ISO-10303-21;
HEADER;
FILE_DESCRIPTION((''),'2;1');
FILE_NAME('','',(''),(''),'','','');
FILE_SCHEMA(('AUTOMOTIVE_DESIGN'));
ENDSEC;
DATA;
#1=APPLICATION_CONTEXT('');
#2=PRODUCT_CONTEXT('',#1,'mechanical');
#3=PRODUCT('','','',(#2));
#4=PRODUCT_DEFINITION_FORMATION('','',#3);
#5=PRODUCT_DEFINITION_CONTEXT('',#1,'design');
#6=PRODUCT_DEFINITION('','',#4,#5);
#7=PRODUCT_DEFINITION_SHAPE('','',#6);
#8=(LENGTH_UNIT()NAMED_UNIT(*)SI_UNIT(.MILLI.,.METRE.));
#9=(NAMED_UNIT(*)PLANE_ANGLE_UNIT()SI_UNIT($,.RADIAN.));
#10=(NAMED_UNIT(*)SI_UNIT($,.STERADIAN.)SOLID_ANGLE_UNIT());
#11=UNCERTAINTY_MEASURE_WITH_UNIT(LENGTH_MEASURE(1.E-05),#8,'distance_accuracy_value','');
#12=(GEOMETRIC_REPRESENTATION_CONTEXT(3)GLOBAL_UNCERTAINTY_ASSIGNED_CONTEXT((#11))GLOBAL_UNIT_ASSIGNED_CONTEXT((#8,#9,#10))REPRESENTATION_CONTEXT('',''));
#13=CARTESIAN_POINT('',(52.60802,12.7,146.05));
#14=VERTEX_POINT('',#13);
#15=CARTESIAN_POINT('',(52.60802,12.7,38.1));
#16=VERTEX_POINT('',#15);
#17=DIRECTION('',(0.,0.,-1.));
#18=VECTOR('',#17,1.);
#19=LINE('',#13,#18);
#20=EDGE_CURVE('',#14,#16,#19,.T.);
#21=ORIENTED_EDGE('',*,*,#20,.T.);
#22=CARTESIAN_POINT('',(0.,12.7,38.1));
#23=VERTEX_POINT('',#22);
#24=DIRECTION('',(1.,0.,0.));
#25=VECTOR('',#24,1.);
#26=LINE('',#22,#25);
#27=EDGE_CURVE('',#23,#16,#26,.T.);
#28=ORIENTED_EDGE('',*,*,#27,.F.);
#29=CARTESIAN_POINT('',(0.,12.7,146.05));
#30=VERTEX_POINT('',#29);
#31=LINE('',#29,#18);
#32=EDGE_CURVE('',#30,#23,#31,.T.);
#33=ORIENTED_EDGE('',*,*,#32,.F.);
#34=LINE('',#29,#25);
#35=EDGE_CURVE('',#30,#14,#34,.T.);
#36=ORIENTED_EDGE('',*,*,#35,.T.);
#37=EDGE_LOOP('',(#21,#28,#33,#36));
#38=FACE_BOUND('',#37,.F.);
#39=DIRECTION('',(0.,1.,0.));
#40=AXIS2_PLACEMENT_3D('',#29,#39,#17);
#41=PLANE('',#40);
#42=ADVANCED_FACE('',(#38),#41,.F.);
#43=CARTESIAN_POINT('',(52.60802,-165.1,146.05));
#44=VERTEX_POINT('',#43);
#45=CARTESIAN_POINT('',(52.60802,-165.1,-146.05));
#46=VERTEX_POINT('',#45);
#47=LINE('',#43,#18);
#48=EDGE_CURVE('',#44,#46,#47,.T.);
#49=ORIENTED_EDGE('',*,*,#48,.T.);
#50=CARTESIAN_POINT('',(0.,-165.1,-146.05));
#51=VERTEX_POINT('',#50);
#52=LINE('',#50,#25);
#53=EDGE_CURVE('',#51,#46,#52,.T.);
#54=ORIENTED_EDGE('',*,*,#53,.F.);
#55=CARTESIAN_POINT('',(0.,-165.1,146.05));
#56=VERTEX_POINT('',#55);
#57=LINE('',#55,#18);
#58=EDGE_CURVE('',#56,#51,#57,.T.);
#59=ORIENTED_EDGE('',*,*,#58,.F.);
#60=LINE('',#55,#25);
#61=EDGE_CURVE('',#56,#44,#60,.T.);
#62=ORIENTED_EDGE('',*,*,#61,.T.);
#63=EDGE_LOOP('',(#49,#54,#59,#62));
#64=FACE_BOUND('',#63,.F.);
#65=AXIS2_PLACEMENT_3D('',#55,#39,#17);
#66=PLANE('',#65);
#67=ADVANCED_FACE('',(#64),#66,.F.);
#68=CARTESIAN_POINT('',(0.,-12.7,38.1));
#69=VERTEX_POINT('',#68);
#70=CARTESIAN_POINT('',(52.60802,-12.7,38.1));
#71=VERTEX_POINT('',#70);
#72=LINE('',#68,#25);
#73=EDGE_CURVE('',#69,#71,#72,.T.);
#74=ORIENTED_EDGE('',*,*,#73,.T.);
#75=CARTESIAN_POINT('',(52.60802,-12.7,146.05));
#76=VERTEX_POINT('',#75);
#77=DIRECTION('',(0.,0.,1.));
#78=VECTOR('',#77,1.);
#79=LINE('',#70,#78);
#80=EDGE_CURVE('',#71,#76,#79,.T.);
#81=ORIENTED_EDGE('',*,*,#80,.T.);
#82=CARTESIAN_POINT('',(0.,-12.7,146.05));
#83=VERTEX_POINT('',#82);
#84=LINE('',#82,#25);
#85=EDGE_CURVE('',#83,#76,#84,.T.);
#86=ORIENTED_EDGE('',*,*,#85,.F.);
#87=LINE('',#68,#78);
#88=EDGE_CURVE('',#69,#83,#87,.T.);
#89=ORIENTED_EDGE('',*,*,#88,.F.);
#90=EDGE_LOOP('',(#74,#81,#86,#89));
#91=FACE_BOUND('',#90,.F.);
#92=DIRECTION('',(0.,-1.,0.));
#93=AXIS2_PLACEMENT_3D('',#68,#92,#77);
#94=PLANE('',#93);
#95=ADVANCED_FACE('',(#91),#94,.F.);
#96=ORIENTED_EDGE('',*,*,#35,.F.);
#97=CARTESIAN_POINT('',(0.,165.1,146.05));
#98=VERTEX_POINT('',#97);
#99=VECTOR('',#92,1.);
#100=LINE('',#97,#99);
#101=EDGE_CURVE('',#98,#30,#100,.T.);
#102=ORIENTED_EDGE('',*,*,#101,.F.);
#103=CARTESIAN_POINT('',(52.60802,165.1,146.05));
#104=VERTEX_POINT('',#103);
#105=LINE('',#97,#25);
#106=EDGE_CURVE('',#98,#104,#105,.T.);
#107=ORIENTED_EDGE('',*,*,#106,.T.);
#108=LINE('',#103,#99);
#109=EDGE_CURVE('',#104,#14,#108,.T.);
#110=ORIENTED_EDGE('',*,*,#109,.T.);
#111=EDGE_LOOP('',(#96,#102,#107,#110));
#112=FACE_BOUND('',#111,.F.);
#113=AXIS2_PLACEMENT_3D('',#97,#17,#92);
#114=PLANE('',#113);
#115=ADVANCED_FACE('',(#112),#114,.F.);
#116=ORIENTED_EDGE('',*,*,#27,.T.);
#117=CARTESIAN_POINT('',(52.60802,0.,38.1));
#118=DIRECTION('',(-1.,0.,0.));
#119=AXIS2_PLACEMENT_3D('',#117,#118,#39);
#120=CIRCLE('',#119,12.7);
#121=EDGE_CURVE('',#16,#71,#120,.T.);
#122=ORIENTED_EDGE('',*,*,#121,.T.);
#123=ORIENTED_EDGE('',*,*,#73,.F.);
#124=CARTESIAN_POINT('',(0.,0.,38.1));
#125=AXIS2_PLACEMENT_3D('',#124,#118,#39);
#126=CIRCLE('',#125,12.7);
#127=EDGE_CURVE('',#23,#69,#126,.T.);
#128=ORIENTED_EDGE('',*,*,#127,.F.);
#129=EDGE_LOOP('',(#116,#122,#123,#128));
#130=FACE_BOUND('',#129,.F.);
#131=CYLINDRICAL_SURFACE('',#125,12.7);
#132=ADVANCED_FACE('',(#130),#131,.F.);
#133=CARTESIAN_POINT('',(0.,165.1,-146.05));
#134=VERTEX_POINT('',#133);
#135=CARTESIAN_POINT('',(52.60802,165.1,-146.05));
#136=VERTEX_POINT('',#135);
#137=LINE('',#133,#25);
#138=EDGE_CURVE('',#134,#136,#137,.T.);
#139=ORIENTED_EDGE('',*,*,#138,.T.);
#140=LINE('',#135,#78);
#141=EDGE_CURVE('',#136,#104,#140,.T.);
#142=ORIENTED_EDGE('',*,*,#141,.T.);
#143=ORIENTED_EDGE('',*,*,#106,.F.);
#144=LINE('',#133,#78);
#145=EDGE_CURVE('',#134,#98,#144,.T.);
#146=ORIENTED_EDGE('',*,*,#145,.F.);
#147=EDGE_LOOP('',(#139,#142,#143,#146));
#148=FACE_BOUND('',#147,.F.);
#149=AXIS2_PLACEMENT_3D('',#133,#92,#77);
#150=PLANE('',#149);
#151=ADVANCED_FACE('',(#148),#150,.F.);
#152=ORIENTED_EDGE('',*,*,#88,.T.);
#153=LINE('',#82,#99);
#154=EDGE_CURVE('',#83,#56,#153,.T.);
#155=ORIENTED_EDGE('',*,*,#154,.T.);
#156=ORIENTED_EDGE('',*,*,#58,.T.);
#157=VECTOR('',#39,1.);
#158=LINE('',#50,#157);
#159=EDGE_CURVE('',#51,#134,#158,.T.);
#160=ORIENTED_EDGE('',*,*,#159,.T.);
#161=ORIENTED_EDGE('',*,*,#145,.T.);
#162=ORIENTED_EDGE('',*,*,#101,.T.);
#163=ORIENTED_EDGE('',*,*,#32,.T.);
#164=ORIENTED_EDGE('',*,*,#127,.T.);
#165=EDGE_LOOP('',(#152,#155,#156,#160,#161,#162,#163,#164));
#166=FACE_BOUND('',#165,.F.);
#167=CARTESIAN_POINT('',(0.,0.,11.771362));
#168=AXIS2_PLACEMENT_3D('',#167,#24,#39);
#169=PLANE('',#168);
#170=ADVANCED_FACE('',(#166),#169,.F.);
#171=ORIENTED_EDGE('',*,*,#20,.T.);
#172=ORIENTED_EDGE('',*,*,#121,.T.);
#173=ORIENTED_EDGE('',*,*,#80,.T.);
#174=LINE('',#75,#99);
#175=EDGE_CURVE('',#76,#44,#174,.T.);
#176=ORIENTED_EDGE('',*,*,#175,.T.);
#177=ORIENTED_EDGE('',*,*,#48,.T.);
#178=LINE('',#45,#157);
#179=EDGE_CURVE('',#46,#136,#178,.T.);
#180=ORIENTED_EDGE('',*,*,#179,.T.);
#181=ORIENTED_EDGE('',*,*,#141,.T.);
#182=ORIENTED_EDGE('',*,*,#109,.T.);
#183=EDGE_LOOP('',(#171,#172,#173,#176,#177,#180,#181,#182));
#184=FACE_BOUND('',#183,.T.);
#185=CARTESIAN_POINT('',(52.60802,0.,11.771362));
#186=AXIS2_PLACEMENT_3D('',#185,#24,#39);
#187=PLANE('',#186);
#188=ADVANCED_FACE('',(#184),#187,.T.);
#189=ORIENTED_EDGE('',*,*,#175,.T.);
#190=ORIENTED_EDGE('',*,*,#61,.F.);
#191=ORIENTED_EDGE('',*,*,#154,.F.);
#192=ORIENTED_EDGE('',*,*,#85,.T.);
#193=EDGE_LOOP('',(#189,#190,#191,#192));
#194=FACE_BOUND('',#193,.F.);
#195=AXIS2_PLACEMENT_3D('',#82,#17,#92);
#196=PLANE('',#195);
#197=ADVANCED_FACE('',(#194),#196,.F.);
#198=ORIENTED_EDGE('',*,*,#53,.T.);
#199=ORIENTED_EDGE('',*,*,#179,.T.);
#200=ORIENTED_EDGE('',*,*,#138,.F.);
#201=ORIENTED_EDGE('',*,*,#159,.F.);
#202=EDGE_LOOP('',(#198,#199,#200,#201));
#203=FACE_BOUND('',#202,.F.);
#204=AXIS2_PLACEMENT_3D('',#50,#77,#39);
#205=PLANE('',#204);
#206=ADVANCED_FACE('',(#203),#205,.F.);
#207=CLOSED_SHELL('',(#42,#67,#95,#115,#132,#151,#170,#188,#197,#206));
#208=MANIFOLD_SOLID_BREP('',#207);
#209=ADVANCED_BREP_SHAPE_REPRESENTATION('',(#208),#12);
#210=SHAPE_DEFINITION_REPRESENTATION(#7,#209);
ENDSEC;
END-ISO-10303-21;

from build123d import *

# Parameters (mm, degrees)
F1_DEPTH = 52.60802


with BuildPart() as f1:
    # F0 (on Right) → F1 (new body)
    with BuildSketch(Plane.YZ):
        with BuildLine():
            Line((-165.1, 146.05), (-165.1, -146.05))
            Line((-165.1, -146.05), (165.1, -146.05))
            Line((165.1, -146.05), (165.1, 146.05))
            Line((165.1, 146.05), (12.7, 146.05))
            Line((12.7, 146.05), (12.7, 38.1))
            ThreePointArc((12.7, 38.1), (0, 25.4), (-12.7, 38.1))
            Line((-12.7, 38.1), (-12.7, 146.05))
            Line((-12.7, 146.05), (-165.1, 146.05))
        make_face()
    extrude(amount=F1_DEPTH)


solid = f1.part
